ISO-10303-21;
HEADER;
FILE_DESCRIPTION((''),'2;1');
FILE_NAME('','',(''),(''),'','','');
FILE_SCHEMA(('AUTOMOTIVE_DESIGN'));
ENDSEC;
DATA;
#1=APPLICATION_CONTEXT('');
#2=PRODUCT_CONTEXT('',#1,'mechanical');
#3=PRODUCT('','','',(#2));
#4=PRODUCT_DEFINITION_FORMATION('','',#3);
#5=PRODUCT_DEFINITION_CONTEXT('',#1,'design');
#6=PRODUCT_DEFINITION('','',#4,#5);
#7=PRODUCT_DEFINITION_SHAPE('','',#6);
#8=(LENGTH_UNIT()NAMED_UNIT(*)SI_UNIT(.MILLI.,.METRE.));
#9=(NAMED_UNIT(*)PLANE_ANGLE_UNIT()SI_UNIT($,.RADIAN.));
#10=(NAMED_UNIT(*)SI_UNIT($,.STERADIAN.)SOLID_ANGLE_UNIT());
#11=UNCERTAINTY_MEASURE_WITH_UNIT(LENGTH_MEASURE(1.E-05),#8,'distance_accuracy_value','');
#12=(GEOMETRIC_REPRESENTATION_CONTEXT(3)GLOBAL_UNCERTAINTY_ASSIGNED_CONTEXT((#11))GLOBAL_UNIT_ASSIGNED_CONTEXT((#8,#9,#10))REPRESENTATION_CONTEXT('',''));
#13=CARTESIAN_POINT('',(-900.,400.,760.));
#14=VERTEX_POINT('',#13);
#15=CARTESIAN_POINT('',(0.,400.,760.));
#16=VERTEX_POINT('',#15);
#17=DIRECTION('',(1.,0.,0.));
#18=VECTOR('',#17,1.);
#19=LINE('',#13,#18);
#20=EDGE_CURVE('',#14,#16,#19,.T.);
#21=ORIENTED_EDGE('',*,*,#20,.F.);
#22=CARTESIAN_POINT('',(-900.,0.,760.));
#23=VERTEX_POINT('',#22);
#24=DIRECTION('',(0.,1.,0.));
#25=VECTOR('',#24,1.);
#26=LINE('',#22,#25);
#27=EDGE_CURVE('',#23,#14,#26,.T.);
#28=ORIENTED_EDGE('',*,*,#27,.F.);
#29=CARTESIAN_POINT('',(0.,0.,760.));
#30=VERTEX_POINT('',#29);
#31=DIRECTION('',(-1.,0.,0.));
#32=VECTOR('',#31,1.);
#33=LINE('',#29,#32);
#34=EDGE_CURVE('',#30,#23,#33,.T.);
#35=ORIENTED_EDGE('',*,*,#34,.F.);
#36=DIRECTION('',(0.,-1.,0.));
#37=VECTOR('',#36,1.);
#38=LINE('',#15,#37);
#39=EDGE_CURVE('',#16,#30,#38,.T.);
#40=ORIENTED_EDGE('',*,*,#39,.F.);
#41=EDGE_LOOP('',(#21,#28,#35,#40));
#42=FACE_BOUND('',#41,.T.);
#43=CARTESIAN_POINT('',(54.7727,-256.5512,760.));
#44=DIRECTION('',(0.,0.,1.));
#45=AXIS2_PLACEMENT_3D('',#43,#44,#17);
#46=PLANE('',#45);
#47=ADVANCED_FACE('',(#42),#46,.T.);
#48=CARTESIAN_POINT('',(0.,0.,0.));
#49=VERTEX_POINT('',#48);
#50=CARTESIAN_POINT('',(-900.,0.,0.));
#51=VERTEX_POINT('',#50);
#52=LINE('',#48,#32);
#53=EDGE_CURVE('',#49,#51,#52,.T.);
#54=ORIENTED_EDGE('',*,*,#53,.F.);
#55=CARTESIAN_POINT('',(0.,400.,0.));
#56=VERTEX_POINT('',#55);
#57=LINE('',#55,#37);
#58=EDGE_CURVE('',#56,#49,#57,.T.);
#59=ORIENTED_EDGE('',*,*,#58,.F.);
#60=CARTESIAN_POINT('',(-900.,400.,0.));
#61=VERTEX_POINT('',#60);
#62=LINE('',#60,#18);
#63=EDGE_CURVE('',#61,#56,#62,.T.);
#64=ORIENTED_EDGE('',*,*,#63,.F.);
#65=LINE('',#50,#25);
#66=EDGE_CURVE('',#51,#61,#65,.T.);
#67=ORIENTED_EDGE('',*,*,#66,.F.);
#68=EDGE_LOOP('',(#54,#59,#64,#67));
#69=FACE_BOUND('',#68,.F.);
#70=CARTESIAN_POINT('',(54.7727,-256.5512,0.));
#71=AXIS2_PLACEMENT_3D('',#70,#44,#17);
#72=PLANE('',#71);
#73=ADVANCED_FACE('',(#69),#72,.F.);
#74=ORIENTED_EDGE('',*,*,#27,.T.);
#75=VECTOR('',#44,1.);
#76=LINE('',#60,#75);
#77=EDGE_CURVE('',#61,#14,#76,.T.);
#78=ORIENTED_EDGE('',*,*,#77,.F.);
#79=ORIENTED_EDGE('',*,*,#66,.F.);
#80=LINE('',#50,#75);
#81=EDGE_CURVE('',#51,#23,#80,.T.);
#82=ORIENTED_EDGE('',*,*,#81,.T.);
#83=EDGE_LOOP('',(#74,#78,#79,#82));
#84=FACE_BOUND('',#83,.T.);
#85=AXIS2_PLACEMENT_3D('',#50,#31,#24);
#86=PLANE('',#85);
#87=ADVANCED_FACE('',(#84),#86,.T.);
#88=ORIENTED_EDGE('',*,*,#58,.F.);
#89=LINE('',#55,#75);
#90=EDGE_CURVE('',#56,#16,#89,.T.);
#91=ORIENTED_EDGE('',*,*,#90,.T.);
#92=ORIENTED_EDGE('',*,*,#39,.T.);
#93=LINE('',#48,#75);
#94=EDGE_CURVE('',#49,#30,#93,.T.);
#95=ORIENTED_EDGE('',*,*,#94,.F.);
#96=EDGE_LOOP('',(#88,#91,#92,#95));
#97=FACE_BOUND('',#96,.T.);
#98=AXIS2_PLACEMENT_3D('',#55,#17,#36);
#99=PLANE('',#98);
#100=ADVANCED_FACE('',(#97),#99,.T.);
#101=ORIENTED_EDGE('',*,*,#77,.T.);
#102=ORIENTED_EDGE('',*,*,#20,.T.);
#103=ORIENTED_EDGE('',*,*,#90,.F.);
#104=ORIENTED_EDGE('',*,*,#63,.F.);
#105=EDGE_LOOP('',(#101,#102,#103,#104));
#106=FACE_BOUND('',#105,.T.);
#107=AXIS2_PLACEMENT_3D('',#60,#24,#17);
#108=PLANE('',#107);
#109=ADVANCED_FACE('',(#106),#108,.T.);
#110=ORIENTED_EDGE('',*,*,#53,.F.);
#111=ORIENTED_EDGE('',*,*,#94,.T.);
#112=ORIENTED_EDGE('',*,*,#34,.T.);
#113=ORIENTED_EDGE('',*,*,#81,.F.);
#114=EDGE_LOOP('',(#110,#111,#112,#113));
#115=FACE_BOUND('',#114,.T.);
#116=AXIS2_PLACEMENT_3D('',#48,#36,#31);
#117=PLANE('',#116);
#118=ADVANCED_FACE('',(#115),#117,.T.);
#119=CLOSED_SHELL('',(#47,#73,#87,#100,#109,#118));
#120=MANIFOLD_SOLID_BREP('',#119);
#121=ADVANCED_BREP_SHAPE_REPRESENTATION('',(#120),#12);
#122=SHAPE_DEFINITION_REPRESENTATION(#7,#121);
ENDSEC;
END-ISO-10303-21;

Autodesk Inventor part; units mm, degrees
ref_plane "YZ Plane" through (0, 0, 0) normal (1, 0, 0) x (0, 1, 0)
ref_plane "XZ Plane" through (0, 0, 0) normal (0, 1, 0) x (-1, 0, 0)
ref_plane "XY Plane" through (0, 0, 0) normal (0, 0, 1) x (1, 0, 0)
ref_plane "Plano de trabajo1" through (54.7727, -256.5512, 0) normal (0, 0, 1) x (1, 0, 0)
sketch "Boceto1" plane through (54.7727, -256.5512, 0) normal (0, 0, 1) x (1, 0, 0)
  line L0 (-54.7727, 256.5512) -> (-954.7727, 256.5512)
  line L1 (-954.7727, 256.5512) -> (-954.7727, 656.5512)
  line L2 (-954.7727, 656.5512) -> (-54.7727, 656.5512)
  line L3 (-54.7727, 656.5512) -> (-54.7727, 256.5512)
  dimension "d0" = 900
  dimension "d1" = 400
extrude "Extrusión1" add sketch "Boceto1" along normal blind 760
properties part number "Mueble Acuario"
